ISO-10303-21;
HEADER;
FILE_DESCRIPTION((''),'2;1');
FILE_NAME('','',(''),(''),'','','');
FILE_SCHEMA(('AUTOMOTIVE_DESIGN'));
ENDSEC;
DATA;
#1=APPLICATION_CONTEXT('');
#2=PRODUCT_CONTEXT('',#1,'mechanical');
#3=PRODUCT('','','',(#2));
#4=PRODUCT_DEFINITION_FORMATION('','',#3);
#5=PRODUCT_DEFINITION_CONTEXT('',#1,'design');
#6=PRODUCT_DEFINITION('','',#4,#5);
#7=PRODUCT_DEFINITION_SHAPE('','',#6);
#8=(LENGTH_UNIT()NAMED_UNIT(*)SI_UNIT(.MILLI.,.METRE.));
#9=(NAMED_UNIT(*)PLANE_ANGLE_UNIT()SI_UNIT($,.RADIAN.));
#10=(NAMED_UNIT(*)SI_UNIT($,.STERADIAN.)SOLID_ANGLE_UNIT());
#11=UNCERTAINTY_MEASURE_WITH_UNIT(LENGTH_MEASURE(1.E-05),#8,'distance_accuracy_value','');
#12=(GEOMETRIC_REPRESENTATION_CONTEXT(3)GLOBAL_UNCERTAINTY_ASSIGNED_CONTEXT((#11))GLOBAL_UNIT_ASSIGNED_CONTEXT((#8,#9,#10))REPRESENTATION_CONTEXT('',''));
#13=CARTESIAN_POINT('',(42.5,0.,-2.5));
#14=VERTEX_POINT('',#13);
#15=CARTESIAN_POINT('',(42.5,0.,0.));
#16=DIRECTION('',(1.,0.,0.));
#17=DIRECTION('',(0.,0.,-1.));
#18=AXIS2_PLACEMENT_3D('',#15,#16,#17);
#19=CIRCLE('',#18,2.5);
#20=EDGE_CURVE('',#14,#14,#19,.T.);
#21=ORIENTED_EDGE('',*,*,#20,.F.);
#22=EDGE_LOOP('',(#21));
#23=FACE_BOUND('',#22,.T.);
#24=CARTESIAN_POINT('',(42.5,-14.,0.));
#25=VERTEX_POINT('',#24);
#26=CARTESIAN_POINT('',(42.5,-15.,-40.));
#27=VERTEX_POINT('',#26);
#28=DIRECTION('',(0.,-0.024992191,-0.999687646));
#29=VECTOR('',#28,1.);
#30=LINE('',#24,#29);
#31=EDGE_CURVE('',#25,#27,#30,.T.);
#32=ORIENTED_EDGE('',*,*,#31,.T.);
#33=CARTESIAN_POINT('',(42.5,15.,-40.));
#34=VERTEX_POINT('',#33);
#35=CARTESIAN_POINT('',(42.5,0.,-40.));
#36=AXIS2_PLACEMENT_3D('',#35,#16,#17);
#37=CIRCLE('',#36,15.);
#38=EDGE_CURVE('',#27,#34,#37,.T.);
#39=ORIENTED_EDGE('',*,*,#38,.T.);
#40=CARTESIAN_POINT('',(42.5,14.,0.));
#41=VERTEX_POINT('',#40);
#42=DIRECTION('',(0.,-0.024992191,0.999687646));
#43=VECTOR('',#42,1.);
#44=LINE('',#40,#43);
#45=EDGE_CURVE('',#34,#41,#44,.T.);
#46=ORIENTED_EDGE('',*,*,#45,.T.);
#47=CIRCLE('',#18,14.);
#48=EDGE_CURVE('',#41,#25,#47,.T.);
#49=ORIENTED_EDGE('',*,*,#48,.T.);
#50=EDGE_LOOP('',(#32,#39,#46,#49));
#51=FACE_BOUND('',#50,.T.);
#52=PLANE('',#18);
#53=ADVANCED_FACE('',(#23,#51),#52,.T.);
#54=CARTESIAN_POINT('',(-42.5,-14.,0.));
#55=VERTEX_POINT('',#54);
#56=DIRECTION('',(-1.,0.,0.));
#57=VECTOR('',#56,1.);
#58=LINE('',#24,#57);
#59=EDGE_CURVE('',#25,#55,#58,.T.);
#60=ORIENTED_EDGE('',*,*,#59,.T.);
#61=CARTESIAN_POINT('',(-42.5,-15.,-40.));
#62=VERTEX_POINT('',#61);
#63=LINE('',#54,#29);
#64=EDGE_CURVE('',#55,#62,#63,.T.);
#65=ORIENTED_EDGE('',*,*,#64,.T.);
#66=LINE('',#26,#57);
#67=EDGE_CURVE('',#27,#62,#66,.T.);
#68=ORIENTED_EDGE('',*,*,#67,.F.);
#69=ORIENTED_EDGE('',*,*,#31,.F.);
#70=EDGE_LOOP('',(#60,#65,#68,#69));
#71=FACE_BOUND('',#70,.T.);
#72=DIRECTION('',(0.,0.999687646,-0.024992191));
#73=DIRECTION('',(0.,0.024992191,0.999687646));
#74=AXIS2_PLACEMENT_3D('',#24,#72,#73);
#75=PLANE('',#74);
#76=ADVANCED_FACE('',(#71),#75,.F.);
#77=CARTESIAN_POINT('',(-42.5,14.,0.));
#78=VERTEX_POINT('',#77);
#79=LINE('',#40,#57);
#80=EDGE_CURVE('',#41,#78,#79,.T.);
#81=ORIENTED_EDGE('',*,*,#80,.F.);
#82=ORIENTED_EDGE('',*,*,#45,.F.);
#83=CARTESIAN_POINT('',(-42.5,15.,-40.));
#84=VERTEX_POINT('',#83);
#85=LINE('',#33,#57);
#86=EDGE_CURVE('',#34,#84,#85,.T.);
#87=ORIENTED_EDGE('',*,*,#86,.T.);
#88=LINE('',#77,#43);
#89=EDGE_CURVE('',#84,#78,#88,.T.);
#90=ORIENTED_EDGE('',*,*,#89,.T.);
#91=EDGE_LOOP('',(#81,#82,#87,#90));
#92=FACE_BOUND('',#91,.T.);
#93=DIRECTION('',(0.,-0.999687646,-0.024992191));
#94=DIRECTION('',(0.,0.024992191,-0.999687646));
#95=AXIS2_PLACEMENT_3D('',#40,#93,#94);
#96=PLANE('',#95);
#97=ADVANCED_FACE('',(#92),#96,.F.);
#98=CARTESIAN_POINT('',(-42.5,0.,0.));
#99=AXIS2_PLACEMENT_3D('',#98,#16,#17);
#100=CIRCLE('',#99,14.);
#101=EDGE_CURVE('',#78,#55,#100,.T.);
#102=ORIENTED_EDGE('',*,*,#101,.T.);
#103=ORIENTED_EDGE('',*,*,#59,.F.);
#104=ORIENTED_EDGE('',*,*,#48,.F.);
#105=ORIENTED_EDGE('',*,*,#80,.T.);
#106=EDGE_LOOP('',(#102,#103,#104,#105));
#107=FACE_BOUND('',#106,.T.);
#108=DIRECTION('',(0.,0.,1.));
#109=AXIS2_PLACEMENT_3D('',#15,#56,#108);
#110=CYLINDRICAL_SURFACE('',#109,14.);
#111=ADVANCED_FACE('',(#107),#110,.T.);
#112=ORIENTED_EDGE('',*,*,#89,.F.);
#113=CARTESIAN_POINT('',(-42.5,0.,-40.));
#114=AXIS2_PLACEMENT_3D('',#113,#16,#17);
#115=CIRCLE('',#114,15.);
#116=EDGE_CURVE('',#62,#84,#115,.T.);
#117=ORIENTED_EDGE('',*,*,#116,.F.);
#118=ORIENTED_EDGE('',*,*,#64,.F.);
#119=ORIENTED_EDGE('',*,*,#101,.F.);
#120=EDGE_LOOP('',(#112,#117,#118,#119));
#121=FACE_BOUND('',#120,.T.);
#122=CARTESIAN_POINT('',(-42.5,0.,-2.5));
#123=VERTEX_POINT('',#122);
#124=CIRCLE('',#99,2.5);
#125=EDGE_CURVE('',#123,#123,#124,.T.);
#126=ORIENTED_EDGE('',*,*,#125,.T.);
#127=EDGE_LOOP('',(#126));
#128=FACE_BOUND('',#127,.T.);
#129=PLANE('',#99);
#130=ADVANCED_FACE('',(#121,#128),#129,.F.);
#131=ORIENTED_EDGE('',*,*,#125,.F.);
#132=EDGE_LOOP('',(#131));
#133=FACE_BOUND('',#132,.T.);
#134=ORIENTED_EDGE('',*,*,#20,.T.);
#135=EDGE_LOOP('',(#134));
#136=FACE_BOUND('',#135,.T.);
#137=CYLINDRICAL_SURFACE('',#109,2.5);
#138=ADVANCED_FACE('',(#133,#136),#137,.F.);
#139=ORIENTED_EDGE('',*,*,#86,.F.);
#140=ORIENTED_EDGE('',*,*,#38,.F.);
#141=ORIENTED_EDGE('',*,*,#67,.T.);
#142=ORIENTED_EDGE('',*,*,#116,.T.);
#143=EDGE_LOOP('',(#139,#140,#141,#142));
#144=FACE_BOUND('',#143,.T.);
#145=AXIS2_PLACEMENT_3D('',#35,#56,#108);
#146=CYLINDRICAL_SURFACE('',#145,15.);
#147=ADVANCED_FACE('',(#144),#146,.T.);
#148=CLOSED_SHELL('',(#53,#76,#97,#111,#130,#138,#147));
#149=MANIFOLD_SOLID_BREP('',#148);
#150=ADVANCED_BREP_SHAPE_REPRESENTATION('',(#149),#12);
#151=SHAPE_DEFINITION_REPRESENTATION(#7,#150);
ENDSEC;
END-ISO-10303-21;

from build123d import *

# Parameters (mm, degrees)
CROQUIS1_R              = 2.5
SALIENTE_EXTRUIR1_DEPTH = 42.5


with BuildPart() as part:
    # Croquis1 → Saliente-Extruir1 (new, symmetric)
    with BuildSketch(Plane(origin=(0, 0, 0), x_dir=(0, 0, -1), z_dir=(1, 0, 0))):
        with BuildLine():
            Line((0, 14), (40, 15))
            ThreePointArc((40, 15), (55, 0), (40, -15))
            Line((40, -15), (0, -14))
            ThreePointArc((0, -14), (-14, 0), (0, 14))
        make_face()
        Circle(CROQUIS1_R, mode=Mode.SUBTRACT)
    extrude(amount=SALIENTE_EXTRUIR1_DEPTH, both=True)


solid = part.part
